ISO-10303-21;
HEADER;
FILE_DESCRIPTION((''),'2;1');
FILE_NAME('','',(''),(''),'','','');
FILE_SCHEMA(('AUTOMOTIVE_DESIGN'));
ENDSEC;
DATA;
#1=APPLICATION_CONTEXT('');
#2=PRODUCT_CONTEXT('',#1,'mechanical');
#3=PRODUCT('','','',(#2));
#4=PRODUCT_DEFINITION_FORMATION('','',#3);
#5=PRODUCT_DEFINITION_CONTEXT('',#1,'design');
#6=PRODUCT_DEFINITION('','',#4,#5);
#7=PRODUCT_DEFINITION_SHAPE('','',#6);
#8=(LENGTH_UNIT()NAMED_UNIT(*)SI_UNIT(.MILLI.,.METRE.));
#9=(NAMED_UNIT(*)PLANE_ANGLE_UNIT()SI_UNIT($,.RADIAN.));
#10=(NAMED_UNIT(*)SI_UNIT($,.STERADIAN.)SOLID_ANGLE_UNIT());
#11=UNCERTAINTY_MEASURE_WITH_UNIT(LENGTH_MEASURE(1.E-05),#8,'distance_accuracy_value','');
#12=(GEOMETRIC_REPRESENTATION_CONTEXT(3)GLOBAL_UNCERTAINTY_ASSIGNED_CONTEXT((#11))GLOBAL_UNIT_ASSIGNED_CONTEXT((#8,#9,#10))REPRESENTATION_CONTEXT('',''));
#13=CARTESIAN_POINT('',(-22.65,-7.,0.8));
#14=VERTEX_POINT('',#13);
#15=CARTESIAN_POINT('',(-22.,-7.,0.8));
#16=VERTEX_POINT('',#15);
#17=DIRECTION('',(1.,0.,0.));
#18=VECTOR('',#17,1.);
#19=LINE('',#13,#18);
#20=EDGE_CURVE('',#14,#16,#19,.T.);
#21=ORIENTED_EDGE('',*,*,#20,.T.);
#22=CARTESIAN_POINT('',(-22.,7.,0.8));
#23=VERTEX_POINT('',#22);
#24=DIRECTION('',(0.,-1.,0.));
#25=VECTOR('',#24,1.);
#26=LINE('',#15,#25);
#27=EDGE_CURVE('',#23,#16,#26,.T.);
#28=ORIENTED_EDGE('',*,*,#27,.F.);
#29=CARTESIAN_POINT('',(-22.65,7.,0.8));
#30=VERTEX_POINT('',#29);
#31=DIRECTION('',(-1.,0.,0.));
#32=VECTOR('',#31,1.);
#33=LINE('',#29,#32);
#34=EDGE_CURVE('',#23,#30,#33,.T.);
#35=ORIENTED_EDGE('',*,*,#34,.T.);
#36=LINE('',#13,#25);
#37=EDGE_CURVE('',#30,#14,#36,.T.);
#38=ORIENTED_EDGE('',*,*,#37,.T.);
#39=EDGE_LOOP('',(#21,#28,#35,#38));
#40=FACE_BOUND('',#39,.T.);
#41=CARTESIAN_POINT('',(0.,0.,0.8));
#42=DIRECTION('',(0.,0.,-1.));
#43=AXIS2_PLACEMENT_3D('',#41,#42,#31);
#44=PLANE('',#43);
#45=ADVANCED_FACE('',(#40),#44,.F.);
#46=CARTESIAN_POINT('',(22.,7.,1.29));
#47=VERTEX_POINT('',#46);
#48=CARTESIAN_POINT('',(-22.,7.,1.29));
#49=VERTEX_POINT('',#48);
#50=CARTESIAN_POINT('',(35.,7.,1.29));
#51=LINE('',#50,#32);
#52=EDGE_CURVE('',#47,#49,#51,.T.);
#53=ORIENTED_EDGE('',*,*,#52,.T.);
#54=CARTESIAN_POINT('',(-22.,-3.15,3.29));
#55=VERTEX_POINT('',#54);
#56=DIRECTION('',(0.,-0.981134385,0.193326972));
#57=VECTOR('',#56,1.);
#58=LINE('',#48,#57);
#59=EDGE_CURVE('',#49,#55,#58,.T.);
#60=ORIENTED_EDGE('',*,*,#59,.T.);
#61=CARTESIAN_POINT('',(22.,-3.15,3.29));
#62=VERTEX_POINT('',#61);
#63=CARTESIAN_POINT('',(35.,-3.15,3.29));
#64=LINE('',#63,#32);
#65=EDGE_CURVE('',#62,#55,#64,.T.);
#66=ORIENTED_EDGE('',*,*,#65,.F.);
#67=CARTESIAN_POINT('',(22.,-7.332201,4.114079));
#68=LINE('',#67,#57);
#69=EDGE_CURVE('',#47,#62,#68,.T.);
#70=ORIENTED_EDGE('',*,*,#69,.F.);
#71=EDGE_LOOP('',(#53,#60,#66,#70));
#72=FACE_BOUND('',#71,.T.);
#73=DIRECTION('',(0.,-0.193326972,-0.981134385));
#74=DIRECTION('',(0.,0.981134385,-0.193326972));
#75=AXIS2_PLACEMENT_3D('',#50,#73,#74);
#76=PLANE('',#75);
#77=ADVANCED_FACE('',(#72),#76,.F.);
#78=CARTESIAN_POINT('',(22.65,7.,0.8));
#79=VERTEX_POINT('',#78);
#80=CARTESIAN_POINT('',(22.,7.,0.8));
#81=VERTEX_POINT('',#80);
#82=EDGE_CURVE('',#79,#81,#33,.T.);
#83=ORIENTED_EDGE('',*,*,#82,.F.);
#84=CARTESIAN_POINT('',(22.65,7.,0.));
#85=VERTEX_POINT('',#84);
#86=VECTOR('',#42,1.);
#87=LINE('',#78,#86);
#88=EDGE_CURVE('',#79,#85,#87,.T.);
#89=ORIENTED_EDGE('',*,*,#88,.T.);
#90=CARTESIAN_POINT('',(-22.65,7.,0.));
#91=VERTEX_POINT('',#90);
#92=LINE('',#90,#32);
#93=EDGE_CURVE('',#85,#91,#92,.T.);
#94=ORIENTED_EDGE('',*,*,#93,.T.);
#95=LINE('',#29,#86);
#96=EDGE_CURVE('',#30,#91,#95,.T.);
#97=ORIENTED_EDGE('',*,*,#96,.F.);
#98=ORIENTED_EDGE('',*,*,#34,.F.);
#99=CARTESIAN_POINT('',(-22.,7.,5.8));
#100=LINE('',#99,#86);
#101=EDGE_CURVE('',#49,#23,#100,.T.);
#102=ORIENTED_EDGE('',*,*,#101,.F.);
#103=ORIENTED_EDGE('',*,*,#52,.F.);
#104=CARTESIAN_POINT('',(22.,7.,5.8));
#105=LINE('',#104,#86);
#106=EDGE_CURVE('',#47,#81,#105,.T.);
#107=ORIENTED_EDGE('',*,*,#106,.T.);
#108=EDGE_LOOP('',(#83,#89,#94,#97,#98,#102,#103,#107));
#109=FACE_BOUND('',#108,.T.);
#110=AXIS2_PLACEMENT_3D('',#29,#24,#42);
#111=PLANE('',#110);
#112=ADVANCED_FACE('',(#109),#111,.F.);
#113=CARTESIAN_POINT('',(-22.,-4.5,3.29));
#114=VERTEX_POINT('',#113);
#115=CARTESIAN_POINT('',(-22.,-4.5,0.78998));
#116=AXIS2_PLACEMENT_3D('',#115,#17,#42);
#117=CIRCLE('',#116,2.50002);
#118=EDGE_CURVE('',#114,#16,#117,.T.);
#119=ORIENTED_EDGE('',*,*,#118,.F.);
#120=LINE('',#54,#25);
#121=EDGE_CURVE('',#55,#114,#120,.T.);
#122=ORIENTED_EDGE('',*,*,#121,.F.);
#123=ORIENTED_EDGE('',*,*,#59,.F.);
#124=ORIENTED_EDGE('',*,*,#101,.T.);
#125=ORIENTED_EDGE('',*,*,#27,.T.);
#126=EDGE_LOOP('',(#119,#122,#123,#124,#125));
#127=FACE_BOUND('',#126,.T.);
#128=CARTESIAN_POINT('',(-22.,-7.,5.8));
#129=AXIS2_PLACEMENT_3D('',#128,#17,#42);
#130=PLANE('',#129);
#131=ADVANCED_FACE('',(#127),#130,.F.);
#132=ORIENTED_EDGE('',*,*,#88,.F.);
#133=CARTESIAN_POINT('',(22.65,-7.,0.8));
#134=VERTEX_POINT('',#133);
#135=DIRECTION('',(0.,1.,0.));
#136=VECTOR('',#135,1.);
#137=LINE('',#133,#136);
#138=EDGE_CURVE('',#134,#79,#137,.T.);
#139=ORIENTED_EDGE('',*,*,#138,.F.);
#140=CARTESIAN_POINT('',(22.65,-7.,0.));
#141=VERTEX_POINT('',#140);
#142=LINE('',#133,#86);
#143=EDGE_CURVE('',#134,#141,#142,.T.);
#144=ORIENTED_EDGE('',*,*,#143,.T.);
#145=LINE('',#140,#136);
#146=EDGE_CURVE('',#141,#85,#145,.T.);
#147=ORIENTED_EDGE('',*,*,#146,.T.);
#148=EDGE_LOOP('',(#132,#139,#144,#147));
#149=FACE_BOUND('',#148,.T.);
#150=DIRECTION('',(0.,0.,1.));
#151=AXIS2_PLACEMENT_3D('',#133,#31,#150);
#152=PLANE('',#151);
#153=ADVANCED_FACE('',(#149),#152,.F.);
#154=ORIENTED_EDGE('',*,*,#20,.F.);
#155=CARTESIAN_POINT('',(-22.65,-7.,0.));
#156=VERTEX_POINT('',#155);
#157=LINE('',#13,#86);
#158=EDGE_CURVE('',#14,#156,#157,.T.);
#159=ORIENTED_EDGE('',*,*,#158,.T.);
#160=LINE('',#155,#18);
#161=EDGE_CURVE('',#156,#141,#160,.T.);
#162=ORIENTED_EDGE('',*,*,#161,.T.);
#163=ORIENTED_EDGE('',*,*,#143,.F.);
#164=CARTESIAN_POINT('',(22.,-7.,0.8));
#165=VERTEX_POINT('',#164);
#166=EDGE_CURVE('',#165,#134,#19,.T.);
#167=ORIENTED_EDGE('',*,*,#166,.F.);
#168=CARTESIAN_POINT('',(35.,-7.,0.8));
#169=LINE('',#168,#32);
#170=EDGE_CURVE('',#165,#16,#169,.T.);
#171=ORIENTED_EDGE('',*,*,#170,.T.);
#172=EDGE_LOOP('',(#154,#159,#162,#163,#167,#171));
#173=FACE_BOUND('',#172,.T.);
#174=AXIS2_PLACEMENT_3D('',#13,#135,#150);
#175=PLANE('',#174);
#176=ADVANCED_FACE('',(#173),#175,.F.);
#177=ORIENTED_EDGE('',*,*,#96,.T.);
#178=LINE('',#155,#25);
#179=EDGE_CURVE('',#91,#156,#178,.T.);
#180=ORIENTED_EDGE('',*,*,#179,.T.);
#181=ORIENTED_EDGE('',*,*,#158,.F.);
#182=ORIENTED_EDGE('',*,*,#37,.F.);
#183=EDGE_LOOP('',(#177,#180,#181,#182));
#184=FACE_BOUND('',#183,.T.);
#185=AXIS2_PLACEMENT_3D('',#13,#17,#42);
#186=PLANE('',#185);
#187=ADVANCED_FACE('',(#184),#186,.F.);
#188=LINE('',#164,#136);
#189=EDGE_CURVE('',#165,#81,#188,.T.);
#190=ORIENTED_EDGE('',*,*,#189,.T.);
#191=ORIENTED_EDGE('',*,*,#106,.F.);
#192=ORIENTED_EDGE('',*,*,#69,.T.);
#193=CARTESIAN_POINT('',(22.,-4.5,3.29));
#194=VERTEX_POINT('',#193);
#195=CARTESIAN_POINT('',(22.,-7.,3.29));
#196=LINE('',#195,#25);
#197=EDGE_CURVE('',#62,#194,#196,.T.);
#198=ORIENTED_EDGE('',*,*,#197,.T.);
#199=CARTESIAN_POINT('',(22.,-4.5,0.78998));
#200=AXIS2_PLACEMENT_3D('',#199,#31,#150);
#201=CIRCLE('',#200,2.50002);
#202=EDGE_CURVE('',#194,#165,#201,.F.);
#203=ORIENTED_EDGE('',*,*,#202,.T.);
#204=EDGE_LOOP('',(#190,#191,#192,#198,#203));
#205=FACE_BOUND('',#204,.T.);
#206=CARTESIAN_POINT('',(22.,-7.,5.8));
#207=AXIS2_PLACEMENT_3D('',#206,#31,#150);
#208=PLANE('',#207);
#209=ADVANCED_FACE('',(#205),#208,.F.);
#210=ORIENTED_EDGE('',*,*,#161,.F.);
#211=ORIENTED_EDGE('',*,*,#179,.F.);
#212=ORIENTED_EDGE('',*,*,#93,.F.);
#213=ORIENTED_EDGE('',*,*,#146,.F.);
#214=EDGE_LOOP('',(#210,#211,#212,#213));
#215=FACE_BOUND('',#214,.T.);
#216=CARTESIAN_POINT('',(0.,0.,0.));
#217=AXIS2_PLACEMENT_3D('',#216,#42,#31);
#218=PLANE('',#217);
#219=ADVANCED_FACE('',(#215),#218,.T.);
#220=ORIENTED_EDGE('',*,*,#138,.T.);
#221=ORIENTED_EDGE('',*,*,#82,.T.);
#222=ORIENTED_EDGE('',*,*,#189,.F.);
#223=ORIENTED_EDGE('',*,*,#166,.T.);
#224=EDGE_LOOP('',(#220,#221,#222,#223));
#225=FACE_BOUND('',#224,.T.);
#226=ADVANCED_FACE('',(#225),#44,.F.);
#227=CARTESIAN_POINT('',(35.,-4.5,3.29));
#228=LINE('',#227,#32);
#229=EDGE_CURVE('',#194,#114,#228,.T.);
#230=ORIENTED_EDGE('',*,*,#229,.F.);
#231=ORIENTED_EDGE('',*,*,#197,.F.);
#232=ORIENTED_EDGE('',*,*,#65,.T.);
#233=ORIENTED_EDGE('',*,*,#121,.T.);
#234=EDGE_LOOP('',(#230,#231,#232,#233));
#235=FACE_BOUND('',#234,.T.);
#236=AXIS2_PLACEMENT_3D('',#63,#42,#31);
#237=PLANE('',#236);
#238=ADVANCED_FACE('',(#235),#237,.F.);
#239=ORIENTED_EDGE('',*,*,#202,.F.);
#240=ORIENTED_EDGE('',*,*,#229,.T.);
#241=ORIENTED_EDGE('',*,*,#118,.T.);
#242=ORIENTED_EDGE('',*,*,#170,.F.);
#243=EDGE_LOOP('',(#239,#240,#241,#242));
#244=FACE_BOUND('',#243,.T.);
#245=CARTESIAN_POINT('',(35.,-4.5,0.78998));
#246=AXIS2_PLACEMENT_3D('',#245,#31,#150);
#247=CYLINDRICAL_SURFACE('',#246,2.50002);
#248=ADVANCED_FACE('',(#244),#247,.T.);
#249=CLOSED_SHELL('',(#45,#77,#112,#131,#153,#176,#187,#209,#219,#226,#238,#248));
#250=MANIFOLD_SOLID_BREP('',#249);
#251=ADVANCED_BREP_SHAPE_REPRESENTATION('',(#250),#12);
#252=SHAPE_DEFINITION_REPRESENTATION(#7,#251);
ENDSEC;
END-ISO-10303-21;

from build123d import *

# Parameters (mm, degrees)
ESQUISSE1_W             = 45.3
ESQUISSE1_H             = 14
BOSS_EXTRU_1_DEPTH      = 0.8
ESQUISSE2_W             = 44
ESQUISSE2_H             = 14
BOSS_EXTRU_2_DEPTH      = 5
ENL_V_MAT_EXTRU_1_DEPTH = 57


with BuildPart() as part:
    # Esquisse1 → Boss.-Extru.1 (new body)
    with BuildSketch(Plane.XY):
        Rectangle(ESQUISSE1_W, ESQUISSE1_H)
    extrude(amount=BOSS_EXTRU_1_DEPTH)

    # Esquisse2 → Boss.-Extru.2 (add)
    with BuildSketch(Plane.XY.offset(0.8)):
        Rectangle(ESQUISSE2_W, ESQUISSE2_H)
    extrude(amount=BOSS_EXTRU_2_DEPTH)

    # Esquisse4 → Enlèv. mat.-Extru.1 (cut)
    with BuildSketch(Plane.ZY.offset(22)):
        with BuildLine():
            Line((1.29, 7), (3.29, -3.15))
            Line((3.29, -3.15), (3.29, -4.5))
            ThreePointArc((3.29, -4.5), (2.561300162, -6.264234962), (0.8, -7))
            Line((0.8, -7), (9.633506855, -10.676835967))
            Line((9.633506855, -10.676835967), (7.497371295, 9.595509349))
            Line((7.497371295, 9.595509349), (1.29, 7))
        make_face()
    extrude(amount=-ENL_V_MAT_EXTRU_1_DEPTH, mode=Mode.SUBTRACT)


solid = part.part
